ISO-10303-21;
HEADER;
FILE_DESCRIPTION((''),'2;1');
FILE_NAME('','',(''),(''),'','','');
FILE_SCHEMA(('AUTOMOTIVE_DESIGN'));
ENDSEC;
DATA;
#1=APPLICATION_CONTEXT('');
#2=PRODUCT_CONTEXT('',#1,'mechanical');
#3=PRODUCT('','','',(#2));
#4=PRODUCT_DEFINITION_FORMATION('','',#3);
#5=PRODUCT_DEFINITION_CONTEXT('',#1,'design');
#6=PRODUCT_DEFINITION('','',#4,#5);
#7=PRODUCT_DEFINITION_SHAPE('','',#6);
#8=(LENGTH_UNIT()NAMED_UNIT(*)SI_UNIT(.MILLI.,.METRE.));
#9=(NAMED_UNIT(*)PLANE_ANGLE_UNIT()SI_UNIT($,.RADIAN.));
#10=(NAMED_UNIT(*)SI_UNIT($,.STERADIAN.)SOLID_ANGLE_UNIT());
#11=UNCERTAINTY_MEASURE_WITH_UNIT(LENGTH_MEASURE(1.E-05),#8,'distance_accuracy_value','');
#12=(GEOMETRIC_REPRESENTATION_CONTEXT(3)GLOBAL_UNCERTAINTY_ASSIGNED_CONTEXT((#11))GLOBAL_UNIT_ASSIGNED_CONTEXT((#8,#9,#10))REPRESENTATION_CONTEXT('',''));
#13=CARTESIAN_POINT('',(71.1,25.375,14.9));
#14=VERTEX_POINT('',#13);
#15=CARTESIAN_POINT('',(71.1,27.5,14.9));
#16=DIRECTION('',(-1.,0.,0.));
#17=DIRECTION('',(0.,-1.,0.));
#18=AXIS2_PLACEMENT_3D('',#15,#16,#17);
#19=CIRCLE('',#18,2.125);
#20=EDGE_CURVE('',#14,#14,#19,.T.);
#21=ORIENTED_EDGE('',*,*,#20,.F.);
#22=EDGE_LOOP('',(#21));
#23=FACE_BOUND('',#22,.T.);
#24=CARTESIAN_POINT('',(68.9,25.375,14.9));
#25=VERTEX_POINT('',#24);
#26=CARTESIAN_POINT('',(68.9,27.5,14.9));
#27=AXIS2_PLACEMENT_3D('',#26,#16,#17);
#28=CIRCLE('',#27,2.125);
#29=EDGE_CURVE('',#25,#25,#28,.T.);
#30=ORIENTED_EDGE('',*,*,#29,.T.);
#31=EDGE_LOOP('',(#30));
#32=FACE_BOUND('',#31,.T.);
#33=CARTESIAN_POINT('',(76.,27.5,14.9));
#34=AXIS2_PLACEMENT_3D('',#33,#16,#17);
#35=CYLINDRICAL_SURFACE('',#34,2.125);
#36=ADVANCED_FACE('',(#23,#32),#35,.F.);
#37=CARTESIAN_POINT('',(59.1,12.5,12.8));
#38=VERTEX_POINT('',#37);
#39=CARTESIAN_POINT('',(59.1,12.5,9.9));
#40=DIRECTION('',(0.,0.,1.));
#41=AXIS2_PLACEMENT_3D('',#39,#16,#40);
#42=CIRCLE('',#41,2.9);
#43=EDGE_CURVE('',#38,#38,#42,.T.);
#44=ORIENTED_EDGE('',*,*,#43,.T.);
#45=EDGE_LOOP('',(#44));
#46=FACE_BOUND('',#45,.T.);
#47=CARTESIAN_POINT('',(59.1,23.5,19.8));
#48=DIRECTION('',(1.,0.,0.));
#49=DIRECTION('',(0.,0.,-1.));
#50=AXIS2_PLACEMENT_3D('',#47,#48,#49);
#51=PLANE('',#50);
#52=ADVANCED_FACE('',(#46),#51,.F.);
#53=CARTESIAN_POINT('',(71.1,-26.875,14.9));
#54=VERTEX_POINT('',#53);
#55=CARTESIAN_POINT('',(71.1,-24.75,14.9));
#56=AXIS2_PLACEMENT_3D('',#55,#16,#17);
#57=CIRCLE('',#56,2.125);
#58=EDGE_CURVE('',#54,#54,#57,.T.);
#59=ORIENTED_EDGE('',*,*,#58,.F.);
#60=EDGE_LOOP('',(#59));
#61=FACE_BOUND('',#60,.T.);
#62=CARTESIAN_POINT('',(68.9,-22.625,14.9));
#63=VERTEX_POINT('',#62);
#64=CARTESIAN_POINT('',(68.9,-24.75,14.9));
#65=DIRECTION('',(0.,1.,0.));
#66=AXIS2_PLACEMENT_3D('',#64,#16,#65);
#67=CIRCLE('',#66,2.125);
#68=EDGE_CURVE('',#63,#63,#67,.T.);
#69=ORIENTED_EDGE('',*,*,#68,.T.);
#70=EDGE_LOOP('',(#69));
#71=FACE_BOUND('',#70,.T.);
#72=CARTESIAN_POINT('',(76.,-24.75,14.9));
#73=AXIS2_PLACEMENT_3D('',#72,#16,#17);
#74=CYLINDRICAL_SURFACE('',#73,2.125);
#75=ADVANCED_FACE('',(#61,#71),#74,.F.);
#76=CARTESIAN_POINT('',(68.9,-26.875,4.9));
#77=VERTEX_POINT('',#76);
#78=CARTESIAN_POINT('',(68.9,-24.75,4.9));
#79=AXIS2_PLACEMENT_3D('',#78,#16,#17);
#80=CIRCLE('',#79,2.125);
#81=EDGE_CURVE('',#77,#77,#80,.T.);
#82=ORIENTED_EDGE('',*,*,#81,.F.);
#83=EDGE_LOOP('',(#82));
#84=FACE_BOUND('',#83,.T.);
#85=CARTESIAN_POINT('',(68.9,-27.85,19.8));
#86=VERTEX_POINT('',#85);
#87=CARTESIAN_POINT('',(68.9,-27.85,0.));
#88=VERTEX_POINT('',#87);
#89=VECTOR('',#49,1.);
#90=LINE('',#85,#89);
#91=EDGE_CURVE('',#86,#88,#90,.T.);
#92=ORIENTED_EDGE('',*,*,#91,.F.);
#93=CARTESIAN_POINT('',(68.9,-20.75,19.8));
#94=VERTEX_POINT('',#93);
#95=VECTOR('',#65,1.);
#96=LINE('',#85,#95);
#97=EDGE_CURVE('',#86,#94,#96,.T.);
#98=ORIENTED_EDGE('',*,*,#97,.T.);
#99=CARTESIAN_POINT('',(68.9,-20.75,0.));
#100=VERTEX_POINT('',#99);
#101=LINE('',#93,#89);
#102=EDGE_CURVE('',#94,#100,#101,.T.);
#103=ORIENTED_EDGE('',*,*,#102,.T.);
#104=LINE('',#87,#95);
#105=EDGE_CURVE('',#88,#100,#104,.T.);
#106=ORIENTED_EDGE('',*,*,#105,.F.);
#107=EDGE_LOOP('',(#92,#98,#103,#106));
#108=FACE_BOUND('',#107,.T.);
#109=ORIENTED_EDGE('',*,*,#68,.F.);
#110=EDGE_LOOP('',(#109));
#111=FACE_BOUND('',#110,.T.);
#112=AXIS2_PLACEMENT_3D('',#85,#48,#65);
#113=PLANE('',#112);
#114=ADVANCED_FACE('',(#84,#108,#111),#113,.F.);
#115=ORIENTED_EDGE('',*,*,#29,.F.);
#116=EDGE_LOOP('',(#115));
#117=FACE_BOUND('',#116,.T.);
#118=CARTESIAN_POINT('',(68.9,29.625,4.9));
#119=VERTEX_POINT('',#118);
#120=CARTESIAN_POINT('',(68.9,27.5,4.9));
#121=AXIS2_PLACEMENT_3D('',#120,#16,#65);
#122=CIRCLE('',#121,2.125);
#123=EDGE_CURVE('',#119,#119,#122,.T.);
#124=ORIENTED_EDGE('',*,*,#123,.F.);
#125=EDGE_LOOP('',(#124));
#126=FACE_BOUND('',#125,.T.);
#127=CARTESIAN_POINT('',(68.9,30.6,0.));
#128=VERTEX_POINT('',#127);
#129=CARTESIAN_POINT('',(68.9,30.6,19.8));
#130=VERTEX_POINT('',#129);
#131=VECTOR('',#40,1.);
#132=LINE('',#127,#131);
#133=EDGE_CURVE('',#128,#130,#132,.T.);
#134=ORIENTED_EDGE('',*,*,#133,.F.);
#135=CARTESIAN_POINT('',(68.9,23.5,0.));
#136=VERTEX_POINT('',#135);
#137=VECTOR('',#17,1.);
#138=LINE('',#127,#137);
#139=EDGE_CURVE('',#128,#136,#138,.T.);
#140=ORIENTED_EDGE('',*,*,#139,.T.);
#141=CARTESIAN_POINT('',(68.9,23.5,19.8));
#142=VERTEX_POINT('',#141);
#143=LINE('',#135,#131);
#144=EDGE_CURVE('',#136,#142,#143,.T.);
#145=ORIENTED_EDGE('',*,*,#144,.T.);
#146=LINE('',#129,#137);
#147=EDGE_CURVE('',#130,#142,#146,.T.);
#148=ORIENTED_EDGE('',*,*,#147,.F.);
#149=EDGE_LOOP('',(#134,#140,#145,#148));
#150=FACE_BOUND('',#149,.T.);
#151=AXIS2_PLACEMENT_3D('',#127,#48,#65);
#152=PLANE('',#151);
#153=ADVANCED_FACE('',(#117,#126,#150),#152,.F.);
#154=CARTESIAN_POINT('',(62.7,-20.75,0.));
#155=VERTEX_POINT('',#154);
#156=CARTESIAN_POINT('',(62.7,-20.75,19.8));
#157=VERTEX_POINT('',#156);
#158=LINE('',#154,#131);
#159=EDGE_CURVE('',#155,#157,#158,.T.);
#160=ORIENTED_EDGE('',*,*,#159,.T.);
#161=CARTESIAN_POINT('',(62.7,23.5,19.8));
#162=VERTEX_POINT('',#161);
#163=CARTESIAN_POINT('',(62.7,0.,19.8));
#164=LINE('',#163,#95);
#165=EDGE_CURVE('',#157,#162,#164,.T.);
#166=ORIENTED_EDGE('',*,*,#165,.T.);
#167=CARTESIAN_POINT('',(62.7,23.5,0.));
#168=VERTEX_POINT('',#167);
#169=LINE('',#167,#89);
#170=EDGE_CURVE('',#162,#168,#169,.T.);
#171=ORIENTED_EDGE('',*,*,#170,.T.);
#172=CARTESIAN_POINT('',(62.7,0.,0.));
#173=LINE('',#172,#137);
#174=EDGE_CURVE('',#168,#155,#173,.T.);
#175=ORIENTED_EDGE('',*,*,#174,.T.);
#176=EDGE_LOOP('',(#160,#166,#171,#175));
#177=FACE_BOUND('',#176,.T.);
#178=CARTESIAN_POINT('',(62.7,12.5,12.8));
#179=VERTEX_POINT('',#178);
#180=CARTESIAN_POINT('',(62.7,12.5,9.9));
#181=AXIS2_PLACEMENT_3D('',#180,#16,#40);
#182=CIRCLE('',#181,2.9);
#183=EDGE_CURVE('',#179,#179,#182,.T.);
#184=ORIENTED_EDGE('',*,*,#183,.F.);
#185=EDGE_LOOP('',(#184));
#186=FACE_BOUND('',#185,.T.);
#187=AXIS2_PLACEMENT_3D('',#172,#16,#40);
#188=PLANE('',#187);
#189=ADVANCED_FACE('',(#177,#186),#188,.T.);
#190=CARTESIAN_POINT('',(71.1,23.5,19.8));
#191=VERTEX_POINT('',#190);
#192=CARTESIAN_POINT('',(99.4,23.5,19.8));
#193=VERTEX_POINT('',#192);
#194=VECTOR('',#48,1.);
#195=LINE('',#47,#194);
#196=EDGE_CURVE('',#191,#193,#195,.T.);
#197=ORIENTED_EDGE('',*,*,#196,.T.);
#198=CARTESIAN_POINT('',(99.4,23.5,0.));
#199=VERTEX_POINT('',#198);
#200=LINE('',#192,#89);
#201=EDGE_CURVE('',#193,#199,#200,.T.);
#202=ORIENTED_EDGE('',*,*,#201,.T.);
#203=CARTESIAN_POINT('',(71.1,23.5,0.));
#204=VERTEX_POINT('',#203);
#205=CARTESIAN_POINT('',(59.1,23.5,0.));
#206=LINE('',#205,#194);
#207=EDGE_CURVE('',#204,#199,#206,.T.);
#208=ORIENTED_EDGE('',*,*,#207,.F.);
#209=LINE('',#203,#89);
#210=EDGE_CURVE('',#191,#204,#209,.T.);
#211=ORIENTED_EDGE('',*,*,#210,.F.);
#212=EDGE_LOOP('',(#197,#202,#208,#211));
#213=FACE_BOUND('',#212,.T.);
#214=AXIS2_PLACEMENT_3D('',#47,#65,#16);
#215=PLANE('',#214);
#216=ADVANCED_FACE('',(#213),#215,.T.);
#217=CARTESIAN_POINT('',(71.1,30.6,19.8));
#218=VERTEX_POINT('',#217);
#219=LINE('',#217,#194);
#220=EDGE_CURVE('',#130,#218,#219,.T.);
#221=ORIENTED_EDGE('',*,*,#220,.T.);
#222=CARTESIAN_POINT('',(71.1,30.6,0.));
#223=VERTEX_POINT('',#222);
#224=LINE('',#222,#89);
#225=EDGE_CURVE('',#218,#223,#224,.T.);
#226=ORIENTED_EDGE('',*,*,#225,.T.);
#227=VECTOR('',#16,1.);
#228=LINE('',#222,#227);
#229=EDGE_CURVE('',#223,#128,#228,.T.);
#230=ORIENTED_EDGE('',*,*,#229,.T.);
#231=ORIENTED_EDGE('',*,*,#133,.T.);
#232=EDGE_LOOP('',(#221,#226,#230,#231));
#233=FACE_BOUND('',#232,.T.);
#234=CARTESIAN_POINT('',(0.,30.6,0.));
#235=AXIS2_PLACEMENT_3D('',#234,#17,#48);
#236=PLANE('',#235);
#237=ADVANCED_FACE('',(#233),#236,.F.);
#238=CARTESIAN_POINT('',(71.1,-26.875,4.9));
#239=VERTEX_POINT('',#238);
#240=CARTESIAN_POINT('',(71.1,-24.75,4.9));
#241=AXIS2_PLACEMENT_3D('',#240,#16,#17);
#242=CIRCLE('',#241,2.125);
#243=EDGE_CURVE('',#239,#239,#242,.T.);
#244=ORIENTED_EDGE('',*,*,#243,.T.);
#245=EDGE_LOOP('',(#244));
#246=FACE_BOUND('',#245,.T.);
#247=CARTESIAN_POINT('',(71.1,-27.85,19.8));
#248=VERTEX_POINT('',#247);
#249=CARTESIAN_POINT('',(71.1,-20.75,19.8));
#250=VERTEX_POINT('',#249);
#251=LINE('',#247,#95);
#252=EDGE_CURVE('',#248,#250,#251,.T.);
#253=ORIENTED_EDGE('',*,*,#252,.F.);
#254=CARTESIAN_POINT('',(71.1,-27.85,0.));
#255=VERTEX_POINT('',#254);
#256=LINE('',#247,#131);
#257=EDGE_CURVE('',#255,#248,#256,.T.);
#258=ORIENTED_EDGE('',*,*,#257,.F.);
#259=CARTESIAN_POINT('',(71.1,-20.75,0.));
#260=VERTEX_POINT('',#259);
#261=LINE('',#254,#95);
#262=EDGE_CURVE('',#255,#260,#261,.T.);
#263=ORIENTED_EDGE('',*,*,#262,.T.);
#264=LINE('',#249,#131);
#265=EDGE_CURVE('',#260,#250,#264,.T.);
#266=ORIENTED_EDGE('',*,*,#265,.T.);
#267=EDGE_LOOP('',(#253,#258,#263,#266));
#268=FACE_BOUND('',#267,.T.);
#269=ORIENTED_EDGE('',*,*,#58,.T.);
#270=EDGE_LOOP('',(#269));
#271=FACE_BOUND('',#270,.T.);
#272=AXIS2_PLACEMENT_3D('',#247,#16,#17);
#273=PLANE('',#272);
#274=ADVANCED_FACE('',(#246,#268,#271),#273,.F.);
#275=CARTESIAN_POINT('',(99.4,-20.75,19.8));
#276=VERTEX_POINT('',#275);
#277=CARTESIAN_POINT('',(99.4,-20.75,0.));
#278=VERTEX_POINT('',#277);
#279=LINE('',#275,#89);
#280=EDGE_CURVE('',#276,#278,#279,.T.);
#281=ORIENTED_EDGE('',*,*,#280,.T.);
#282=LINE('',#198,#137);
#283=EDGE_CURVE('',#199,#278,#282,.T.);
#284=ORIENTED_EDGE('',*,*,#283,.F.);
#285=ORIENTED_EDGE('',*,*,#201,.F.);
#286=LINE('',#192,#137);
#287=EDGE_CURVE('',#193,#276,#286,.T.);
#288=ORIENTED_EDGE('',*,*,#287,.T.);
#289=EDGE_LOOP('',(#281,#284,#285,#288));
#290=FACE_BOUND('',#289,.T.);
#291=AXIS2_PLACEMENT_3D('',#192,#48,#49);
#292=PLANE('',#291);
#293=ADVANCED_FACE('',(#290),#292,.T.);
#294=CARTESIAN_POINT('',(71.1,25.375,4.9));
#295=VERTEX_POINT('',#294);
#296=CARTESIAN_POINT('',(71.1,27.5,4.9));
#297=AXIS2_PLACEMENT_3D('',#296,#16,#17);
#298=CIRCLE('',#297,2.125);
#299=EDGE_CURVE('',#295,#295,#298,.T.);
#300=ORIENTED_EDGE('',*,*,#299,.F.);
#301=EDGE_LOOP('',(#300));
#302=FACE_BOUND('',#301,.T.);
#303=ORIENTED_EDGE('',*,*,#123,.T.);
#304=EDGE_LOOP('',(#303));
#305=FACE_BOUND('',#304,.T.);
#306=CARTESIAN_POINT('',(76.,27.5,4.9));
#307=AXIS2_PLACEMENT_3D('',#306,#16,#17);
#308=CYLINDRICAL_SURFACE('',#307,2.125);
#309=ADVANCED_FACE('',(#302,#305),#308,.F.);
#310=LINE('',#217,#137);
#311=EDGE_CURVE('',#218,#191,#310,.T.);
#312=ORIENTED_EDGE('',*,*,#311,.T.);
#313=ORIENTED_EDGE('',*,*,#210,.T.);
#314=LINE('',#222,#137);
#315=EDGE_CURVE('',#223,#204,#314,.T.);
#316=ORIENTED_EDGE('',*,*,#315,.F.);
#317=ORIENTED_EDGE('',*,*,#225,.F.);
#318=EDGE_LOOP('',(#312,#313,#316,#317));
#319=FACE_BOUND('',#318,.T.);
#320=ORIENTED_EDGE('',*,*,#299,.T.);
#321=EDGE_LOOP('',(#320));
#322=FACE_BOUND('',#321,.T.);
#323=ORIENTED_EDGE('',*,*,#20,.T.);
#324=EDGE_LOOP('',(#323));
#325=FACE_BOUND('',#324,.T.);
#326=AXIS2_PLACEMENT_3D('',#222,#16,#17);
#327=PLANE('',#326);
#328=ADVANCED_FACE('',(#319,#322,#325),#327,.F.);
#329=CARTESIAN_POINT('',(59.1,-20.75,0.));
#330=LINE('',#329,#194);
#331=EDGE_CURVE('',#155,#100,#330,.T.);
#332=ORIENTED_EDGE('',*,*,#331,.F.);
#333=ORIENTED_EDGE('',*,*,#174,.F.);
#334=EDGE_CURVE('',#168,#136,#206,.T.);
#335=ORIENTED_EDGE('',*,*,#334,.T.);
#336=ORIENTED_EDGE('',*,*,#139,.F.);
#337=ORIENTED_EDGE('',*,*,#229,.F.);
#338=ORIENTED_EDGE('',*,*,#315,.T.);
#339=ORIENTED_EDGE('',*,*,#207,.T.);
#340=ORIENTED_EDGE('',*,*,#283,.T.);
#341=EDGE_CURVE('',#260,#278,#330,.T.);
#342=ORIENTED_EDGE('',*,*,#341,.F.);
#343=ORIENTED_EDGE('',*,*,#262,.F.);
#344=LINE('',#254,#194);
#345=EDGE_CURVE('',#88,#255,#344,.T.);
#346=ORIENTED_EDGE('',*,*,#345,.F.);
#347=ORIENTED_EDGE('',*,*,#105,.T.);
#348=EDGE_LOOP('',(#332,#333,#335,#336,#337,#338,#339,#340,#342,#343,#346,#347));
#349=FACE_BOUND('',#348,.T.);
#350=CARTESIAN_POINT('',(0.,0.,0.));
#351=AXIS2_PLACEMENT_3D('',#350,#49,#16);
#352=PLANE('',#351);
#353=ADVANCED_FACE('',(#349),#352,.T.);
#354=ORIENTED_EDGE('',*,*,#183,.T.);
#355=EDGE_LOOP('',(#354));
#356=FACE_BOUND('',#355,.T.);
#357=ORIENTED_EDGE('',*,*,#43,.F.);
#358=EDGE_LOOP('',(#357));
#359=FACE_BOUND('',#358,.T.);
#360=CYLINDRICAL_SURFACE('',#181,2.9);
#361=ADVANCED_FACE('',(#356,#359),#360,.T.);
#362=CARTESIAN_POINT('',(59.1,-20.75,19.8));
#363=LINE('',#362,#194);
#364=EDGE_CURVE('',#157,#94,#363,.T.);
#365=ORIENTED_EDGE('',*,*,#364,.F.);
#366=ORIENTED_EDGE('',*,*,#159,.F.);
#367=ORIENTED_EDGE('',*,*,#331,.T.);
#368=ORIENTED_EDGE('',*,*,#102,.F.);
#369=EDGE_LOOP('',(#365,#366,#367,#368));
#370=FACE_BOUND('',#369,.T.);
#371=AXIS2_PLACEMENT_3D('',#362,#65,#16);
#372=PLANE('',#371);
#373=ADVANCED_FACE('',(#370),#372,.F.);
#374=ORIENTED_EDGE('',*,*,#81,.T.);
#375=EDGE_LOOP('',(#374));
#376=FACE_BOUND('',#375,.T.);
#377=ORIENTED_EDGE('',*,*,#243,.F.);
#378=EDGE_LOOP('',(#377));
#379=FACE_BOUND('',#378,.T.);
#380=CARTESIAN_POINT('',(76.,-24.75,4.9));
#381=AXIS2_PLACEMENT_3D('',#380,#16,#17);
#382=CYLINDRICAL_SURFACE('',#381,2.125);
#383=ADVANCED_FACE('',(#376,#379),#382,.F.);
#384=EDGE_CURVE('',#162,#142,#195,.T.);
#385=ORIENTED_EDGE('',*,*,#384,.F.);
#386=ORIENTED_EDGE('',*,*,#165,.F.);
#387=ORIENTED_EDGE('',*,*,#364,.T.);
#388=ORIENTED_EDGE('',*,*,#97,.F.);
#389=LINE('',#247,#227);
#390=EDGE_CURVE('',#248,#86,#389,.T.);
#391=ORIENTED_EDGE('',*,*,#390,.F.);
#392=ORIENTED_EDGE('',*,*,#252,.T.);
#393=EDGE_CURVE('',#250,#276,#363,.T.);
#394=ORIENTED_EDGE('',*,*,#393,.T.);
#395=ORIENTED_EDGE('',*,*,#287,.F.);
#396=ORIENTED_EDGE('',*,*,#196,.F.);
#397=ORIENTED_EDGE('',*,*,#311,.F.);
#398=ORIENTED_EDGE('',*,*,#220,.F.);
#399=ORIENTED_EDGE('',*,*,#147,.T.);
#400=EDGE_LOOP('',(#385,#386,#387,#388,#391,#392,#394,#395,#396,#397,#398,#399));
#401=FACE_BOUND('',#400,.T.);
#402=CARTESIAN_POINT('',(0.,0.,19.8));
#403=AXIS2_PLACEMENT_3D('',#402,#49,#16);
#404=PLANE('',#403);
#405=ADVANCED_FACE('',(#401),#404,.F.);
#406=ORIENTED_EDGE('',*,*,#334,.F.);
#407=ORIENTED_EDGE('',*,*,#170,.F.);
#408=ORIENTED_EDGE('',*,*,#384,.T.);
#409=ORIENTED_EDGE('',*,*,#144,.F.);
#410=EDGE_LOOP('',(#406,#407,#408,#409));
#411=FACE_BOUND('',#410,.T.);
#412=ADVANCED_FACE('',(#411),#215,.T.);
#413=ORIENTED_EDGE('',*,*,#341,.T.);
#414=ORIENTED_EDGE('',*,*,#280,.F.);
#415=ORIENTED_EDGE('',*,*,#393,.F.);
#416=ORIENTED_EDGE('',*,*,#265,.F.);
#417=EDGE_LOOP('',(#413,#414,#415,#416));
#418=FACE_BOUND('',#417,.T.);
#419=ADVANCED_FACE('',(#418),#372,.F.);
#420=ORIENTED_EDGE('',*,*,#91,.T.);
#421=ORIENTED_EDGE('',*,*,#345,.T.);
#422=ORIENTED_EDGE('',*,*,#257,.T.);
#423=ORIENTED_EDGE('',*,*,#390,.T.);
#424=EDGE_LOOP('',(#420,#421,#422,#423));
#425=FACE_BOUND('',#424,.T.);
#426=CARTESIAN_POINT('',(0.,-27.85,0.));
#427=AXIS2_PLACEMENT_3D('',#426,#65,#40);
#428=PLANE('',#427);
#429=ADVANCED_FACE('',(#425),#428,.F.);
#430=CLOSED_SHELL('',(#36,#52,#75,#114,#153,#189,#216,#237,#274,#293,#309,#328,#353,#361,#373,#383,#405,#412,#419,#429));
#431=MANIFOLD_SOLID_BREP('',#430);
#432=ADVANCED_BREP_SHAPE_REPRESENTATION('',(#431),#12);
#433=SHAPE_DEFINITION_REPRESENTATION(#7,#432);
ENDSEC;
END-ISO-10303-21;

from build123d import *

# Parameters (mm, degrees)
SCHIZZO1_W                   = 40.3
SCHIZZO1_H                   = 44.25
ESTRUSIONE_ESTRUSIONE1_DEPTH = 19.8
SCHIZZO2_W                   = 19.8
SCHIZZO2_H                   = 44.25
SCHIZZO2_R                   = 2.9
TAGLIO_ESTRUSIONE1_DEPTH     = 3.6
SCHIZZO3_W                   = 2.2
SCHIZZO3_H                   = 19.8
ESTRUSIONE_ESTRUSIONE2_DEPTH = 7.1
SCHIZZO4_W                   = 2.2
SCHIZZO4_H                   = 19.8
ESTRUSIONE_ESTRUSIONE3_DEPTH = 7.1
SCHIZZO5_R                   = 2.125
TAGLIO_ESTRUSIONE2_DEPTH     = 7.1


with BuildPart() as part:
    # Schizzo1 → Estrusione-Estrusione1 (new body)
    with BuildSketch(Plane(origin=(0, 0, 0), x_dir=(-1, 0, 0), z_dir=(0, 0, 1))):
        with Locations((-79.25, -1.375)):
            Rectangle(SCHIZZO1_W, SCHIZZO1_H)
    extrude(amount=ESTRUSIONE_ESTRUSIONE1_DEPTH)

    # Schizzo2 → Taglio-Estrusione1 (cut)
    with BuildSketch(Plane.ZY.offset(-59.1)):
        with Locations((9.9, 1.375)):
            Rectangle(SCHIZZO2_W, SCHIZZO2_H)
        with Locations((9.9, 12.5)):
            Circle(SCHIZZO2_R, mode=Mode.SUBTRACT)
    extrude(amount=-TAGLIO_ESTRUSIONE1_DEPTH, mode=Mode.SUBTRACT)

    # Schizzo3 → Estrusione-Estrusione2 (add)
    with BuildSketch(Plane(origin=(0, 23.5, 0), x_dir=(1, 0, 0), z_dir=(0, 1, 0))):
        with Locations((70, -9.9)):
            Rectangle(SCHIZZO3_W, SCHIZZO3_H)
    extrude(amount=ESTRUSIONE_ESTRUSIONE2_DEPTH)

    # Schizzo4 → Estrusione-Estrusione3 (add)
    with BuildSketch(Plane.XZ.offset(20.75)):
        with Locations((70, 9.9)):
            Rectangle(SCHIZZO4_W, SCHIZZO4_H)
    extrude(amount=ESTRUSIONE_ESTRUSIONE3_DEPTH)

    # Schizzo5 → Taglio-Estrusione2 (cut)
    with BuildSketch(Plane.ZY.offset(-68.9)):
        with Locations(Location((14.9, 27.5, 0), (0, 0, 270))):
            Circle(SCHIZZO5_R)
        with Locations(Location((4.9, 27.5, 0), (0, 0, 270))):
            Circle(SCHIZZO5_R)
        with Locations(Location((14.9, -24.75, 0), (0, 0, 270))):
            Circle(SCHIZZO5_R)
        with Locations(Location((4.9, -24.75, 0), (0, 0, 270))):
            Circle(SCHIZZO5_R)
    extrude(amount=-TAGLIO_ESTRUSIONE2_DEPTH, mode=Mode.SUBTRACT)


solid = part.part
